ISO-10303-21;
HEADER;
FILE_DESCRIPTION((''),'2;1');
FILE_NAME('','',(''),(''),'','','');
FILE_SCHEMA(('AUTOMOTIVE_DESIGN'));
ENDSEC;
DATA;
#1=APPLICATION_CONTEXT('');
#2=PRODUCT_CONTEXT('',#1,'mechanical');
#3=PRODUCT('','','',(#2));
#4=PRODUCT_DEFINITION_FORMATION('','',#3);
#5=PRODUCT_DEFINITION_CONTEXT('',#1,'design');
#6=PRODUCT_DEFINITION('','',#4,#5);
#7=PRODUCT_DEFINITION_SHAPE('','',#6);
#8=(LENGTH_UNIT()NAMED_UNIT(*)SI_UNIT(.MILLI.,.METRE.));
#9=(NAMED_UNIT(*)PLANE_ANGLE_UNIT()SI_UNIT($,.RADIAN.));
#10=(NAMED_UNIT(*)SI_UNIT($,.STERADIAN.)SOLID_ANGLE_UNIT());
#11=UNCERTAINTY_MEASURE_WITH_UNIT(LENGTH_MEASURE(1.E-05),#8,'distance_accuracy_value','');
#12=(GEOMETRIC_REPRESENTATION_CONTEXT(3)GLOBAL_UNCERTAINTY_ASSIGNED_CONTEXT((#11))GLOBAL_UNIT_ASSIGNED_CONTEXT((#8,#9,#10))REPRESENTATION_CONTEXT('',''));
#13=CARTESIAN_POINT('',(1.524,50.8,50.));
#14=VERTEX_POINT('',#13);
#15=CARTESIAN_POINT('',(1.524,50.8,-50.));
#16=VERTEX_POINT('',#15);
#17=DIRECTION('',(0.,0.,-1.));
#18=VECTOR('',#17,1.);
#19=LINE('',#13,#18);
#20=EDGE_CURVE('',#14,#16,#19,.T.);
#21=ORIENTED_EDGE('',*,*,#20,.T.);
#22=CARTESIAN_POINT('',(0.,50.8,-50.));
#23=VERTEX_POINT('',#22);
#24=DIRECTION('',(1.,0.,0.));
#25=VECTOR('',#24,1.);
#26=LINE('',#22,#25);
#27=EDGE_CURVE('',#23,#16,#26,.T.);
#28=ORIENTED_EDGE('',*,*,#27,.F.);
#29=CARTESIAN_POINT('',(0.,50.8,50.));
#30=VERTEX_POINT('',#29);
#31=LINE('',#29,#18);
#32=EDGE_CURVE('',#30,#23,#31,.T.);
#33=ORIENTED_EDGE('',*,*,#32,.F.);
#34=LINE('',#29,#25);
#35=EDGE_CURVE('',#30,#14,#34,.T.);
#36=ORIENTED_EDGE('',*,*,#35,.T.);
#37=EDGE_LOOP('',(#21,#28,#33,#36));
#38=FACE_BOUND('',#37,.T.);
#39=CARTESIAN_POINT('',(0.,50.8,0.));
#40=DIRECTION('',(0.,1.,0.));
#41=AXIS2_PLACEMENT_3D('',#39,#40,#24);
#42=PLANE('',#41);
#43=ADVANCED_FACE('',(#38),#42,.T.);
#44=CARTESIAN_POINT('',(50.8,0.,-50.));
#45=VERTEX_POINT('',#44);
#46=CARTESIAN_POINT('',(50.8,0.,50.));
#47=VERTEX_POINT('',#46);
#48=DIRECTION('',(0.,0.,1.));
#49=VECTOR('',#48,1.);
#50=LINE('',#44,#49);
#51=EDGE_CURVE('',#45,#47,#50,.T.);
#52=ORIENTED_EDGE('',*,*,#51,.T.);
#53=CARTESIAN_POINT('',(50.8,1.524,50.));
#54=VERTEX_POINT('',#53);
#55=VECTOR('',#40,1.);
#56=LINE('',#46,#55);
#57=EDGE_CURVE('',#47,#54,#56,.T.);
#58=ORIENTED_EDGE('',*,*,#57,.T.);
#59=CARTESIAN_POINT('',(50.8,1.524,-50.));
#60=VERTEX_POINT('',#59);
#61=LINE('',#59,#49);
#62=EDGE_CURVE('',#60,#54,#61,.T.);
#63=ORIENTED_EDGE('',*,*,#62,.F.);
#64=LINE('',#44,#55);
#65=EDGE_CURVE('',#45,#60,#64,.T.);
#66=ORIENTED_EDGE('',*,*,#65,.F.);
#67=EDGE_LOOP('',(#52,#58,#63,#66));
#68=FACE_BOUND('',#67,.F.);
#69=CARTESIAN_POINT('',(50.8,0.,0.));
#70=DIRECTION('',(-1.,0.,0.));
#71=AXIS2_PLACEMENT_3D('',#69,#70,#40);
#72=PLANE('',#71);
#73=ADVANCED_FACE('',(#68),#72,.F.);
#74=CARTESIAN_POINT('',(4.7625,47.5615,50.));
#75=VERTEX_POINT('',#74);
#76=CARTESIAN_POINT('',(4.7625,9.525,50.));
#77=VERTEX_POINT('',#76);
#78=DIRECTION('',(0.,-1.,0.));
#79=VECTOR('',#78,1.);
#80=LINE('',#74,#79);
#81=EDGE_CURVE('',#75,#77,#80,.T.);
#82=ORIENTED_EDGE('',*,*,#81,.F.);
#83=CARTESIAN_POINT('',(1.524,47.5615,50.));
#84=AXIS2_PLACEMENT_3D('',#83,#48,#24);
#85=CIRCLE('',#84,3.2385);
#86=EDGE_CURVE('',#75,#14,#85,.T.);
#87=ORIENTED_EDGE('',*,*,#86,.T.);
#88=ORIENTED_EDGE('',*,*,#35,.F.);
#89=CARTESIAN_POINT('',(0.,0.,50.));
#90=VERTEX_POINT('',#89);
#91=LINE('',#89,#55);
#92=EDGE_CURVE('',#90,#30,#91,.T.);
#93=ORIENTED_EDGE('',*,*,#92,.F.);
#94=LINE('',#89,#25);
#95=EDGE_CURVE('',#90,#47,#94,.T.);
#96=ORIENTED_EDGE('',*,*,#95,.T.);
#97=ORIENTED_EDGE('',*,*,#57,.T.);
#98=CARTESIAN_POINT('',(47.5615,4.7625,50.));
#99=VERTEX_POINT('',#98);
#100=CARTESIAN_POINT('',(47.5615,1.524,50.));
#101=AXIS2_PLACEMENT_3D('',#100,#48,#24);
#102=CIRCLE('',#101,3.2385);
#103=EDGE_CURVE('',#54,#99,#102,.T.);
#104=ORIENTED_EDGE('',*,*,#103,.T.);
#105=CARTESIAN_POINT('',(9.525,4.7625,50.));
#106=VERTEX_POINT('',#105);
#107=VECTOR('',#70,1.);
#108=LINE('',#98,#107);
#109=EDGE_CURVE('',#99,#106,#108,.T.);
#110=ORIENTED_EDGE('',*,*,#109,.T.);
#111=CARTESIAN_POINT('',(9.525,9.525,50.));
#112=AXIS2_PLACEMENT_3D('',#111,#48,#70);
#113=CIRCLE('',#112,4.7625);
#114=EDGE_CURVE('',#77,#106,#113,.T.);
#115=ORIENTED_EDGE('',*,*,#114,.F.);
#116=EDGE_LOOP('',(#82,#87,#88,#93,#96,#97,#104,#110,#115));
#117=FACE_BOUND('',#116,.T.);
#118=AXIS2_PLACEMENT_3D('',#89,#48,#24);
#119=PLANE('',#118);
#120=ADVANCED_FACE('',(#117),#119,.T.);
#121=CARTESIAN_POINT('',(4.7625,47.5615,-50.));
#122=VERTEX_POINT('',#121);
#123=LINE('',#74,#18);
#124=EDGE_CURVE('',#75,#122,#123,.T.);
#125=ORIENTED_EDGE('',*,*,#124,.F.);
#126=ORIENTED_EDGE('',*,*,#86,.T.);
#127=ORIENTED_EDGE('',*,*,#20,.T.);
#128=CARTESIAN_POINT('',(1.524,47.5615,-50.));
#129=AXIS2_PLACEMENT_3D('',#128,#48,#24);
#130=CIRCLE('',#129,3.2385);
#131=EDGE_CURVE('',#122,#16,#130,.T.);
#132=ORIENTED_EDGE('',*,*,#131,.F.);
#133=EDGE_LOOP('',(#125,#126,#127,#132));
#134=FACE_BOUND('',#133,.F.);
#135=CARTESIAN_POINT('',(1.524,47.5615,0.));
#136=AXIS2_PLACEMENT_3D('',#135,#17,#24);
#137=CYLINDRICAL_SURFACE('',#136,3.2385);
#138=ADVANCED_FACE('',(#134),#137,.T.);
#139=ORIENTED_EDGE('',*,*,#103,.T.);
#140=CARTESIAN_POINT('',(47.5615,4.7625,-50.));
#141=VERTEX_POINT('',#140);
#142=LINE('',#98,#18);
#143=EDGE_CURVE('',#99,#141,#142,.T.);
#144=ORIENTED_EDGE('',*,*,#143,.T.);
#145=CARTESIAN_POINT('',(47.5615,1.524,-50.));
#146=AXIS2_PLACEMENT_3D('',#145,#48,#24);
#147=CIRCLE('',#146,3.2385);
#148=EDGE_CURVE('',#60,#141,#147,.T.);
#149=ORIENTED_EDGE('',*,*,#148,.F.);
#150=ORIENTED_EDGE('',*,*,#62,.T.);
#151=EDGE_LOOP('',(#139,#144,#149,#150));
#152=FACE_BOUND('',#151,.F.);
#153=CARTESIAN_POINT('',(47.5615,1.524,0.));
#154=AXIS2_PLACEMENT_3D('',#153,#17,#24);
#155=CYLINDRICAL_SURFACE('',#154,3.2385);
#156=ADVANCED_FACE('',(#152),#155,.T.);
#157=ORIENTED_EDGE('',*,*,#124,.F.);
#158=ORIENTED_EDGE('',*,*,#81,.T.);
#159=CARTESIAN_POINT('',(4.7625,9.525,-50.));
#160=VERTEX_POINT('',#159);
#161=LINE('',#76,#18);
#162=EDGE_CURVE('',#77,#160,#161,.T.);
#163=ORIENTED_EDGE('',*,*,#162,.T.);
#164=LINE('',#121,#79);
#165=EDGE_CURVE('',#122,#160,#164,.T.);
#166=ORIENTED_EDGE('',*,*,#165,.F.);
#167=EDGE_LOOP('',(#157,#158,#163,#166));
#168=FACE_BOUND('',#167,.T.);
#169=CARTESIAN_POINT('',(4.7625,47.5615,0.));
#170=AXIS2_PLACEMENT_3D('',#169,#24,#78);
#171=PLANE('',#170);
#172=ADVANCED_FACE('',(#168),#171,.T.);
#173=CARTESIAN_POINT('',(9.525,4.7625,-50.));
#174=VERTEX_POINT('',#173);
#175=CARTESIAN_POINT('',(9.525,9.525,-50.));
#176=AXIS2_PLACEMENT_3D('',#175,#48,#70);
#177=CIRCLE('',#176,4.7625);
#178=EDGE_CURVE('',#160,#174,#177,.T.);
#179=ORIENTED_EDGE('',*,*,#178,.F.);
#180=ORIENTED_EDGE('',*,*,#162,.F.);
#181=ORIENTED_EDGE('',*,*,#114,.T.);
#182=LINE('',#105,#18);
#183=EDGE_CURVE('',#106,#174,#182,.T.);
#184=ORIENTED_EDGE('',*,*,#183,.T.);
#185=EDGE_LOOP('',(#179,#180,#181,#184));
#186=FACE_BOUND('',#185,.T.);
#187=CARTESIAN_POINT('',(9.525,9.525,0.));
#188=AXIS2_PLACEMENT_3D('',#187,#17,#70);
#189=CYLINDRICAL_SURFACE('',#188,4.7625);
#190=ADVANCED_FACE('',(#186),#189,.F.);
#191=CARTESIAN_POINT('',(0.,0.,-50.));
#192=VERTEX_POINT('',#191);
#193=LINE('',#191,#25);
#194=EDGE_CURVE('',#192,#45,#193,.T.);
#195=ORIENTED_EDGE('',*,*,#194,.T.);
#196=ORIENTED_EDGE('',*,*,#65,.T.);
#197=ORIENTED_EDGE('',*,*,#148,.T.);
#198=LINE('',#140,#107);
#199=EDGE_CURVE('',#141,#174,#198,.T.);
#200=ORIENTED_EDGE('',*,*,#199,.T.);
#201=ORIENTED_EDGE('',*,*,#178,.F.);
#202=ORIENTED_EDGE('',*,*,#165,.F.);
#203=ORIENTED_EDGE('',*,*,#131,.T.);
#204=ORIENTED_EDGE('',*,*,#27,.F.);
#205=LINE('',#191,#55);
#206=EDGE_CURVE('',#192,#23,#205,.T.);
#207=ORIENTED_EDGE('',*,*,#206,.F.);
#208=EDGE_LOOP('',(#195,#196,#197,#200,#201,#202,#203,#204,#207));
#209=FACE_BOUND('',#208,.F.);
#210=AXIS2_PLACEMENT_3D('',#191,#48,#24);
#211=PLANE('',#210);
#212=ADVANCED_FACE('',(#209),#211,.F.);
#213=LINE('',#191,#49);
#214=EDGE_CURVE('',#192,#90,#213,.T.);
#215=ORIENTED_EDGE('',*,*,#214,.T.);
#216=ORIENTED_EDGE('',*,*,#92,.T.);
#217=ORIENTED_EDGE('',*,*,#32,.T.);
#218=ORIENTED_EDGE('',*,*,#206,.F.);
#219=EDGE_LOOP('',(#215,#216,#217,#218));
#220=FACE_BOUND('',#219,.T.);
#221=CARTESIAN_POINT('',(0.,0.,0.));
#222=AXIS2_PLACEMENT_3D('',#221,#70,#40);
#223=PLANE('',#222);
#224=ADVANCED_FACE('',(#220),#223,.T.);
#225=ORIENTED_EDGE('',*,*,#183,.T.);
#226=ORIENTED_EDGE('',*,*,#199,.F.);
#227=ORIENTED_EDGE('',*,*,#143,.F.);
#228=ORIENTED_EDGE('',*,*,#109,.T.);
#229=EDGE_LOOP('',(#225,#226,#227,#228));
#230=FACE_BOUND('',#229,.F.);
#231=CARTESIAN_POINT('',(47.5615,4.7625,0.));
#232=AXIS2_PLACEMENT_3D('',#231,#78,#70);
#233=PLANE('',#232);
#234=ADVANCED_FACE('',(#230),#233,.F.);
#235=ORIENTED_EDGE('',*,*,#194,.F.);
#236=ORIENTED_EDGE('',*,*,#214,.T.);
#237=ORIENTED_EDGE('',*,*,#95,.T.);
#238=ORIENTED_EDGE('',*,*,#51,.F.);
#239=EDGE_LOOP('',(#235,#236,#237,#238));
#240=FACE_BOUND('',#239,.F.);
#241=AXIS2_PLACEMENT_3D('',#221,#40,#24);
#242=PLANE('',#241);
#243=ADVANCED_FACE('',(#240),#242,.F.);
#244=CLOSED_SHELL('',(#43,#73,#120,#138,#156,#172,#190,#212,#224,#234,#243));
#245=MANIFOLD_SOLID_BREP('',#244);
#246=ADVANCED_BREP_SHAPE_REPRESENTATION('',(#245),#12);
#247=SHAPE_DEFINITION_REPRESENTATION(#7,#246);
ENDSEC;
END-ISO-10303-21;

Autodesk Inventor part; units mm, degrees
ref_plane "YZ Plane" through (0, 0, 0) normal (1, 0, 0) x (0, 1, 0)
ref_plane "XZ Plane" through (0, 0, 0) normal (0, 1, 0) x (-1, 0, 0)
ref_plane "XY Plane" through (0, 0, 0) normal (0, 0, 1) x (1, 0, 0)
sketch "Sketch1" plane through (0, 0, 0) normal (0, 0, 1) x (1, 0, 0)
  line L0 (0, 0) -> (0, 50.8)
  line L1 (0, 50.8) -> (1.524, 50.8)
  line L2 (4.7625, 47.5615) -> (4.7625, 9.525)
  line L3 (0, 0) -> (50.8, 0)
  line L4 (50.8, 0) -> (50.8, 1.524)
  line L5 (47.5615, 4.7625) -> (9.525, 4.7625)
  arc A0 (4.7625, 9.525) -> (9.525, 4.7625) centre (9.525, 9.525) ccw
  arc A1 (4.7625, 47.5615) -> (1.524, 50.8) centre (1.524, 47.5615) ccw
  arc A2 (50.8, 1.524) -> (47.5615, 4.7625) centre (47.5615, 1.524) ccw
  dimension "thickness" = 4.7625
  dimension "d3" = 4.7625
  dimension "LegSize" = 50.8
  dimension "d5" = 50.8
  dimension "radius" = 4.7625
  dimension "d7" = 3.2385
  dimension "d8" = 3.2385
extrude "2\" X 2\" X 3/16\"" add sketch "Sketch1" along normal mid plane 100
equation "\"d3\" = thickness"
equation "\"d5\" = LegSize"
properties part number "ANGLE IRON, 2 X 2 X 0.188 THK" material "Angle Iron"
